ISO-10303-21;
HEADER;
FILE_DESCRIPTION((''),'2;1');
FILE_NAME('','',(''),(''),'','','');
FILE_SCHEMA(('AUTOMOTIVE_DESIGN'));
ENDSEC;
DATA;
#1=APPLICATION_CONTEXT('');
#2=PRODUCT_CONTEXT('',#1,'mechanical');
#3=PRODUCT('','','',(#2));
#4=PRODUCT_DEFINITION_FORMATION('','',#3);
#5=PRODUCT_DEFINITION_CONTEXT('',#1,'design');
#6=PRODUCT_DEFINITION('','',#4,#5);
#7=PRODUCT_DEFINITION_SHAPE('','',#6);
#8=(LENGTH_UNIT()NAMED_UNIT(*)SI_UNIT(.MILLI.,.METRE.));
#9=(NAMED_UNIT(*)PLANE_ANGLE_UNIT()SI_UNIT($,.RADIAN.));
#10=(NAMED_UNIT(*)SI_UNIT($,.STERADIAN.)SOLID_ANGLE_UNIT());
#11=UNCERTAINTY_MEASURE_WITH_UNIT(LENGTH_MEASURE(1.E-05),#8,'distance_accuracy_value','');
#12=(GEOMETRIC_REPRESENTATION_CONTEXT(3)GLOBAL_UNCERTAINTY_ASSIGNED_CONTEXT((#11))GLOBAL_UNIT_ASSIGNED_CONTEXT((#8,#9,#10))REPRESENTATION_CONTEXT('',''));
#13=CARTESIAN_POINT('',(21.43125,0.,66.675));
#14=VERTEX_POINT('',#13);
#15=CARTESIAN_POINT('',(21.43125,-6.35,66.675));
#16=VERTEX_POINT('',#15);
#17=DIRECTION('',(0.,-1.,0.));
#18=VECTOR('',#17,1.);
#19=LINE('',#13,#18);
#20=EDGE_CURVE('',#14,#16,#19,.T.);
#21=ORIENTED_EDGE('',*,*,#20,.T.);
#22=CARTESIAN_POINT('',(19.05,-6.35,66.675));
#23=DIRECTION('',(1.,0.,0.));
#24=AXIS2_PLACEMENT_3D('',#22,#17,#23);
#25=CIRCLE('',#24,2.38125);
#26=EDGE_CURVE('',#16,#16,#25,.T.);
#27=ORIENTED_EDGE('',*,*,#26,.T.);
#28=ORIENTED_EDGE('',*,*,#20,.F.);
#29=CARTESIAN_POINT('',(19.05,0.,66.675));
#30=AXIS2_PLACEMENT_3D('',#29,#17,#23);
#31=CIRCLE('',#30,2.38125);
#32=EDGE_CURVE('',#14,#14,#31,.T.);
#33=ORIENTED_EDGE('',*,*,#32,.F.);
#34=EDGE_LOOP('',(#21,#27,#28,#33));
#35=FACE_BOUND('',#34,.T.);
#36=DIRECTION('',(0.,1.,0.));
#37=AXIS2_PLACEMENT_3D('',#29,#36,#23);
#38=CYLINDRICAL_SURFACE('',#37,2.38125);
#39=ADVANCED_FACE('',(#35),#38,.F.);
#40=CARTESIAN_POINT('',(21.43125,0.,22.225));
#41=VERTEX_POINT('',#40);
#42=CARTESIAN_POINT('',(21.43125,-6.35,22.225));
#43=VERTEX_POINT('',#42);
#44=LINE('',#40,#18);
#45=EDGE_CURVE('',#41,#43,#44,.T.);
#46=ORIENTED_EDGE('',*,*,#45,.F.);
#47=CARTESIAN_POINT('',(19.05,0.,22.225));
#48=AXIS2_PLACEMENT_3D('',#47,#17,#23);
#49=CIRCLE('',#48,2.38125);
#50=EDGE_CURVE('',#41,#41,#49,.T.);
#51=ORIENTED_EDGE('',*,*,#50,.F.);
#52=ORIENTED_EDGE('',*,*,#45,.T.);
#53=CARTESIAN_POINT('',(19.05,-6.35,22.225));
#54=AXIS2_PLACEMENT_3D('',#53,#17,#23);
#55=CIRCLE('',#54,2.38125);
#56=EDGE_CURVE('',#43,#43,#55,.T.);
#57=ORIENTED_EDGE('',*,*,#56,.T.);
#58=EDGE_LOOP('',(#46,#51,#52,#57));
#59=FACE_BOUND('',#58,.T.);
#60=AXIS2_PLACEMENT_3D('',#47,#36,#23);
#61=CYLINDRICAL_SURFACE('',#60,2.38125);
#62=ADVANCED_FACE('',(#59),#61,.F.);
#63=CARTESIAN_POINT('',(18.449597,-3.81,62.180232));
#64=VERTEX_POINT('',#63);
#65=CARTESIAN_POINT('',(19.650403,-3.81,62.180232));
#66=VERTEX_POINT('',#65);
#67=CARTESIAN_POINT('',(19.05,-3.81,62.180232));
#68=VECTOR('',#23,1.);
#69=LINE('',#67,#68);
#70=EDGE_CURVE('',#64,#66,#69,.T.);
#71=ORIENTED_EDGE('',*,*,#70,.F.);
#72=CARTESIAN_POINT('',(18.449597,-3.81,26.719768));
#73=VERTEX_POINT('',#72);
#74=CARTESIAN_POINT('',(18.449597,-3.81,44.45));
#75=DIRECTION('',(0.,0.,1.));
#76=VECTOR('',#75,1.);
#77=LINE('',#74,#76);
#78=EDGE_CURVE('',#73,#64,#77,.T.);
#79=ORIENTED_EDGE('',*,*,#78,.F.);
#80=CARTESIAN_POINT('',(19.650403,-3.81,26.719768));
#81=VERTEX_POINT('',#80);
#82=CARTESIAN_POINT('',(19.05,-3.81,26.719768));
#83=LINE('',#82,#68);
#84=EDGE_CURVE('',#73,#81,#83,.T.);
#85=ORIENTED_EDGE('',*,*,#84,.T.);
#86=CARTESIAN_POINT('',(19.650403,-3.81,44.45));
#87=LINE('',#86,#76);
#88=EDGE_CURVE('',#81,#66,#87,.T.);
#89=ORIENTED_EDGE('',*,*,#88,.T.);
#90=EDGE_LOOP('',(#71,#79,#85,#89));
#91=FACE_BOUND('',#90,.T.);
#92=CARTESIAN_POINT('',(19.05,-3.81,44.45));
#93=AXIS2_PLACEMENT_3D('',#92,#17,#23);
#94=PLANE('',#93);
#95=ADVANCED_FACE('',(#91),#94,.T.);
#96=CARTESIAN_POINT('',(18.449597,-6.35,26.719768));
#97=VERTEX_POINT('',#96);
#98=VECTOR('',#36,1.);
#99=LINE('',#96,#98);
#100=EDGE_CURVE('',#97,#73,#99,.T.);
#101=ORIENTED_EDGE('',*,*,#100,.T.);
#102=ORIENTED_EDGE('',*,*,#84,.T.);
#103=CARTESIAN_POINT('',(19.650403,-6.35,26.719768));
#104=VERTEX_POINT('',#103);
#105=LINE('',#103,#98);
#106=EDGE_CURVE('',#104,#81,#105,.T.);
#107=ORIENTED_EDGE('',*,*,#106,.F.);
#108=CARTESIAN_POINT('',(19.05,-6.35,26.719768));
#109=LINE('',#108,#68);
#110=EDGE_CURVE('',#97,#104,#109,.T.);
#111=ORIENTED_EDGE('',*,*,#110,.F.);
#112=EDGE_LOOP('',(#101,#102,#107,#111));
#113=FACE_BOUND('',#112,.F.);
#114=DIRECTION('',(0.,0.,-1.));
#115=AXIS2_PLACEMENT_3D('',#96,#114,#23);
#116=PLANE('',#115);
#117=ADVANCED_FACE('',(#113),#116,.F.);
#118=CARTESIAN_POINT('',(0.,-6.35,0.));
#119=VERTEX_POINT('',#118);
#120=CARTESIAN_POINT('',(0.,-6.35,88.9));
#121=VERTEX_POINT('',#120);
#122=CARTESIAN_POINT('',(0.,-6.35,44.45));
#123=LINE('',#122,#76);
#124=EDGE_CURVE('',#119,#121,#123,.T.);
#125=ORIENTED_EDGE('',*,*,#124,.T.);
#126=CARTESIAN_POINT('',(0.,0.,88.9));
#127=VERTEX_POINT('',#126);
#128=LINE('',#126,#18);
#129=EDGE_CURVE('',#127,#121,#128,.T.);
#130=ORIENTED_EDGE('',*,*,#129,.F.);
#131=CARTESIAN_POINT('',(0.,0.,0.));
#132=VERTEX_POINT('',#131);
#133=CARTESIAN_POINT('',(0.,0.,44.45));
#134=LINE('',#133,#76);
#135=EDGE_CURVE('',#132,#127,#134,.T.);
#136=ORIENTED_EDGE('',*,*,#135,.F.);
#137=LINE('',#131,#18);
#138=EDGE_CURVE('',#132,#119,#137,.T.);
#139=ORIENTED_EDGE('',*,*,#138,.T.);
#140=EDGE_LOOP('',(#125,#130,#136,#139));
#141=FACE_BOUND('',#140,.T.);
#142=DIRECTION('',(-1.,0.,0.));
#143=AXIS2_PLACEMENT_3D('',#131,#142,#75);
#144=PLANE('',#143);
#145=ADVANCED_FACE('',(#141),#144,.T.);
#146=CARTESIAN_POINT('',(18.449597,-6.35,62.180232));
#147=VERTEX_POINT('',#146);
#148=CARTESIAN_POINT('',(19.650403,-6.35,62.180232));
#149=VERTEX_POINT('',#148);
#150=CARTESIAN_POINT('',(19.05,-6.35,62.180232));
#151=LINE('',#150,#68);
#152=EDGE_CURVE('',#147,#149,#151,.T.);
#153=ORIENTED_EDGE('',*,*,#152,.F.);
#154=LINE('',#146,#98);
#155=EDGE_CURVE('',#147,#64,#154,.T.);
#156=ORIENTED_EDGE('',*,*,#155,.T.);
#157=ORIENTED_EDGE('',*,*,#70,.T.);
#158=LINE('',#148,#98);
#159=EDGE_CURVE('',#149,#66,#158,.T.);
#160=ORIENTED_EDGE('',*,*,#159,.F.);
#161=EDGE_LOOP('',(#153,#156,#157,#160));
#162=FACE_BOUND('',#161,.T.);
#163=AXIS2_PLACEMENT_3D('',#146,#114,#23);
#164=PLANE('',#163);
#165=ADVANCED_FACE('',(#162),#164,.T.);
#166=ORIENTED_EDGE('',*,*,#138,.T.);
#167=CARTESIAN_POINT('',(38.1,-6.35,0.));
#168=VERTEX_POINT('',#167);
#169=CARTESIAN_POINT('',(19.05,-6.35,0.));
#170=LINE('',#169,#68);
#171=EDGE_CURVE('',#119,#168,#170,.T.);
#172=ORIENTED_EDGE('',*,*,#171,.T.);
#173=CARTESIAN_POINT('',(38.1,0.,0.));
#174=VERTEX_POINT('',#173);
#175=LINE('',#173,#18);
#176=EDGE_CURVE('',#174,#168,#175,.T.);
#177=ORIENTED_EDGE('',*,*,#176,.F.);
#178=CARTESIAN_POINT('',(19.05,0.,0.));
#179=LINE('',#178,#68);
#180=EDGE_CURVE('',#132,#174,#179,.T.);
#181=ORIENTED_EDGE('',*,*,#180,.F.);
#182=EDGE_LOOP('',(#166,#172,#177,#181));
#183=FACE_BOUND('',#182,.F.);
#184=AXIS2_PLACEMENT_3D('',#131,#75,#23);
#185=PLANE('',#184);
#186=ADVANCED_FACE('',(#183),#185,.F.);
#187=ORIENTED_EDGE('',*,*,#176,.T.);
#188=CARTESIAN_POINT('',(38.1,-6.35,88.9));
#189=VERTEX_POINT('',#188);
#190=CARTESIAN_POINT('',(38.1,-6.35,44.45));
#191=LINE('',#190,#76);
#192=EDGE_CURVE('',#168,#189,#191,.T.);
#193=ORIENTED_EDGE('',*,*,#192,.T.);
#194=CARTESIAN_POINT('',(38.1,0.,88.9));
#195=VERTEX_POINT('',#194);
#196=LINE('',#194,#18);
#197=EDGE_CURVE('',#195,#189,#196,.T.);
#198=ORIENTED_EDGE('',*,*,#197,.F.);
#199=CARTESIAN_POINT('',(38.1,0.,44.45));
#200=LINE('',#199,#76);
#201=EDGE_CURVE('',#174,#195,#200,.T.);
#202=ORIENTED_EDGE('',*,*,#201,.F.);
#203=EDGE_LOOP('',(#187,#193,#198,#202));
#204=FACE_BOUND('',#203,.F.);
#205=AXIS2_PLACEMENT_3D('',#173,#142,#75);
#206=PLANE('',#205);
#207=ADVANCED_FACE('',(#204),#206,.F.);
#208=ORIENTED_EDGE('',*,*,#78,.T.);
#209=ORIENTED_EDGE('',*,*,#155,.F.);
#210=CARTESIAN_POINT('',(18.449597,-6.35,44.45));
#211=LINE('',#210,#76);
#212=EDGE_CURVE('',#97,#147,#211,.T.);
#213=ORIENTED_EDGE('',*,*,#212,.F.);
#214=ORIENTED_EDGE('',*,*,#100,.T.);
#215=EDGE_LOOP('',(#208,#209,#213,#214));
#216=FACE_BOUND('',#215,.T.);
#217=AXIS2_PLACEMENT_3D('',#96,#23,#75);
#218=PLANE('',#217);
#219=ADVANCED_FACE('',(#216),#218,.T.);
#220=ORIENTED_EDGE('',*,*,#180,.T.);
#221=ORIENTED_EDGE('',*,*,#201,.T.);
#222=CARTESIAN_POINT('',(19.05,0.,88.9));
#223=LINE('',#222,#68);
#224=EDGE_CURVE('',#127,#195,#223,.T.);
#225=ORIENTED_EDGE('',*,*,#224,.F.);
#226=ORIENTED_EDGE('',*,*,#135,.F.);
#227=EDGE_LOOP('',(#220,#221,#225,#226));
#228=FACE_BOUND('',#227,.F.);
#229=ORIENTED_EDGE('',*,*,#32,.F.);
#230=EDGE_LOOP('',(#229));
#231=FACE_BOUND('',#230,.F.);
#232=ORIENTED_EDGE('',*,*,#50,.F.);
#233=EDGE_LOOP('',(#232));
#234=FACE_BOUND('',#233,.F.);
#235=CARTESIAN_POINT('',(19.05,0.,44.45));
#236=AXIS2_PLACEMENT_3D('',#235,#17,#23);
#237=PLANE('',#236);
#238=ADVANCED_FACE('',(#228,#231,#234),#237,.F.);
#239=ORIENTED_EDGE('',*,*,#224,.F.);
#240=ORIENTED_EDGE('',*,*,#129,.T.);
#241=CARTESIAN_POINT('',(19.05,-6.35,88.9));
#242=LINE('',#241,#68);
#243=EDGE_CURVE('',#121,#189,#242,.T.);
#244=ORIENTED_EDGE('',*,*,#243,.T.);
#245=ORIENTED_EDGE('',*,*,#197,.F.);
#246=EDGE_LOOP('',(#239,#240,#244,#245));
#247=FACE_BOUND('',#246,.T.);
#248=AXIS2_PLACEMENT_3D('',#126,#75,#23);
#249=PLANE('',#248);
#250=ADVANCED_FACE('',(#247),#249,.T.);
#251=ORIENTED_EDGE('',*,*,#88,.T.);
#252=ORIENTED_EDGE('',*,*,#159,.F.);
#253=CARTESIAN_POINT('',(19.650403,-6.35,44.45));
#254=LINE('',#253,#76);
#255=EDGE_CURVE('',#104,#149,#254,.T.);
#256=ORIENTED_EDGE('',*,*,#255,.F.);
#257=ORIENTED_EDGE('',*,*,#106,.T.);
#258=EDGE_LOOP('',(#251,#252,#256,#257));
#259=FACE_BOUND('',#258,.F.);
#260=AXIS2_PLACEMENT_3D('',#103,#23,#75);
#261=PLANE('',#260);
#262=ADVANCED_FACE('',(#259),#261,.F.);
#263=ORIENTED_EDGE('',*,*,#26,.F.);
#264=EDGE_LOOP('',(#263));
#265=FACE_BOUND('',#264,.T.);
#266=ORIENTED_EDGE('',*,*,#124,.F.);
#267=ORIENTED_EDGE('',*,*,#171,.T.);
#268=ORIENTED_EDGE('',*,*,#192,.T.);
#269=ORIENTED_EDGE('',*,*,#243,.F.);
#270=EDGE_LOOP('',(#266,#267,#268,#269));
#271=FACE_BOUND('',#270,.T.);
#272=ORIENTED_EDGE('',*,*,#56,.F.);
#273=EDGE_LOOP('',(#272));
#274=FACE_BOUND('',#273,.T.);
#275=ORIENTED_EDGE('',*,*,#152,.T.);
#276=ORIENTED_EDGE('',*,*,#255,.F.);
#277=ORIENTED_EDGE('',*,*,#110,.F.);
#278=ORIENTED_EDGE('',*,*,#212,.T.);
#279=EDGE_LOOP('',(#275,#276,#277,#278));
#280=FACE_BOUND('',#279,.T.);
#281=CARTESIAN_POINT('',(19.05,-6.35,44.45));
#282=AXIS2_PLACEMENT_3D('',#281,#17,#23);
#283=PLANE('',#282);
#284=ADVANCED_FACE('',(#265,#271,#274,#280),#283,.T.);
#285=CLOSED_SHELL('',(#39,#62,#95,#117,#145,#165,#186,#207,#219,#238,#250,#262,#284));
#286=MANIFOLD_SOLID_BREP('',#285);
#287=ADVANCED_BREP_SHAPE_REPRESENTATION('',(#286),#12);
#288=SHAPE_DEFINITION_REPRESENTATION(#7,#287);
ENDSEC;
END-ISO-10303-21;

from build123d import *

# Parameters (mm, degrees)
F0_W     = 38.1
F0_H     = 88.9
F0_R     = 2.38125
F1_DEPTH = 6.35
F2_W     = 1.200806
F2_H     = 35.460464
F3_DEPTH = 2.54


with BuildPart() as f1:
    # F0 (on Front) → F1 (new body)
    with BuildSketch(Plane.XZ):
        with Locations((19.05, 44.45)):
            Rectangle(F0_W, F0_H)
        with Locations((19.05, 22.225)):
            Circle(F0_R, mode=Mode.SUBTRACT)
        with Locations((19.05, 66.675)):
            Circle(F0_R, mode=Mode.SUBTRACT)
    extrude(amount=F1_DEPTH)

    # F2 (on face) → F3 (cut)
    with BuildSketch(Plane.XZ.offset(6.35)):
        with Locations((19.05, 44.45)):
            Rectangle(F2_W, F2_H)
    extrude(amount=-F3_DEPTH, mode=Mode.SUBTRACT)


solid = f1.part
